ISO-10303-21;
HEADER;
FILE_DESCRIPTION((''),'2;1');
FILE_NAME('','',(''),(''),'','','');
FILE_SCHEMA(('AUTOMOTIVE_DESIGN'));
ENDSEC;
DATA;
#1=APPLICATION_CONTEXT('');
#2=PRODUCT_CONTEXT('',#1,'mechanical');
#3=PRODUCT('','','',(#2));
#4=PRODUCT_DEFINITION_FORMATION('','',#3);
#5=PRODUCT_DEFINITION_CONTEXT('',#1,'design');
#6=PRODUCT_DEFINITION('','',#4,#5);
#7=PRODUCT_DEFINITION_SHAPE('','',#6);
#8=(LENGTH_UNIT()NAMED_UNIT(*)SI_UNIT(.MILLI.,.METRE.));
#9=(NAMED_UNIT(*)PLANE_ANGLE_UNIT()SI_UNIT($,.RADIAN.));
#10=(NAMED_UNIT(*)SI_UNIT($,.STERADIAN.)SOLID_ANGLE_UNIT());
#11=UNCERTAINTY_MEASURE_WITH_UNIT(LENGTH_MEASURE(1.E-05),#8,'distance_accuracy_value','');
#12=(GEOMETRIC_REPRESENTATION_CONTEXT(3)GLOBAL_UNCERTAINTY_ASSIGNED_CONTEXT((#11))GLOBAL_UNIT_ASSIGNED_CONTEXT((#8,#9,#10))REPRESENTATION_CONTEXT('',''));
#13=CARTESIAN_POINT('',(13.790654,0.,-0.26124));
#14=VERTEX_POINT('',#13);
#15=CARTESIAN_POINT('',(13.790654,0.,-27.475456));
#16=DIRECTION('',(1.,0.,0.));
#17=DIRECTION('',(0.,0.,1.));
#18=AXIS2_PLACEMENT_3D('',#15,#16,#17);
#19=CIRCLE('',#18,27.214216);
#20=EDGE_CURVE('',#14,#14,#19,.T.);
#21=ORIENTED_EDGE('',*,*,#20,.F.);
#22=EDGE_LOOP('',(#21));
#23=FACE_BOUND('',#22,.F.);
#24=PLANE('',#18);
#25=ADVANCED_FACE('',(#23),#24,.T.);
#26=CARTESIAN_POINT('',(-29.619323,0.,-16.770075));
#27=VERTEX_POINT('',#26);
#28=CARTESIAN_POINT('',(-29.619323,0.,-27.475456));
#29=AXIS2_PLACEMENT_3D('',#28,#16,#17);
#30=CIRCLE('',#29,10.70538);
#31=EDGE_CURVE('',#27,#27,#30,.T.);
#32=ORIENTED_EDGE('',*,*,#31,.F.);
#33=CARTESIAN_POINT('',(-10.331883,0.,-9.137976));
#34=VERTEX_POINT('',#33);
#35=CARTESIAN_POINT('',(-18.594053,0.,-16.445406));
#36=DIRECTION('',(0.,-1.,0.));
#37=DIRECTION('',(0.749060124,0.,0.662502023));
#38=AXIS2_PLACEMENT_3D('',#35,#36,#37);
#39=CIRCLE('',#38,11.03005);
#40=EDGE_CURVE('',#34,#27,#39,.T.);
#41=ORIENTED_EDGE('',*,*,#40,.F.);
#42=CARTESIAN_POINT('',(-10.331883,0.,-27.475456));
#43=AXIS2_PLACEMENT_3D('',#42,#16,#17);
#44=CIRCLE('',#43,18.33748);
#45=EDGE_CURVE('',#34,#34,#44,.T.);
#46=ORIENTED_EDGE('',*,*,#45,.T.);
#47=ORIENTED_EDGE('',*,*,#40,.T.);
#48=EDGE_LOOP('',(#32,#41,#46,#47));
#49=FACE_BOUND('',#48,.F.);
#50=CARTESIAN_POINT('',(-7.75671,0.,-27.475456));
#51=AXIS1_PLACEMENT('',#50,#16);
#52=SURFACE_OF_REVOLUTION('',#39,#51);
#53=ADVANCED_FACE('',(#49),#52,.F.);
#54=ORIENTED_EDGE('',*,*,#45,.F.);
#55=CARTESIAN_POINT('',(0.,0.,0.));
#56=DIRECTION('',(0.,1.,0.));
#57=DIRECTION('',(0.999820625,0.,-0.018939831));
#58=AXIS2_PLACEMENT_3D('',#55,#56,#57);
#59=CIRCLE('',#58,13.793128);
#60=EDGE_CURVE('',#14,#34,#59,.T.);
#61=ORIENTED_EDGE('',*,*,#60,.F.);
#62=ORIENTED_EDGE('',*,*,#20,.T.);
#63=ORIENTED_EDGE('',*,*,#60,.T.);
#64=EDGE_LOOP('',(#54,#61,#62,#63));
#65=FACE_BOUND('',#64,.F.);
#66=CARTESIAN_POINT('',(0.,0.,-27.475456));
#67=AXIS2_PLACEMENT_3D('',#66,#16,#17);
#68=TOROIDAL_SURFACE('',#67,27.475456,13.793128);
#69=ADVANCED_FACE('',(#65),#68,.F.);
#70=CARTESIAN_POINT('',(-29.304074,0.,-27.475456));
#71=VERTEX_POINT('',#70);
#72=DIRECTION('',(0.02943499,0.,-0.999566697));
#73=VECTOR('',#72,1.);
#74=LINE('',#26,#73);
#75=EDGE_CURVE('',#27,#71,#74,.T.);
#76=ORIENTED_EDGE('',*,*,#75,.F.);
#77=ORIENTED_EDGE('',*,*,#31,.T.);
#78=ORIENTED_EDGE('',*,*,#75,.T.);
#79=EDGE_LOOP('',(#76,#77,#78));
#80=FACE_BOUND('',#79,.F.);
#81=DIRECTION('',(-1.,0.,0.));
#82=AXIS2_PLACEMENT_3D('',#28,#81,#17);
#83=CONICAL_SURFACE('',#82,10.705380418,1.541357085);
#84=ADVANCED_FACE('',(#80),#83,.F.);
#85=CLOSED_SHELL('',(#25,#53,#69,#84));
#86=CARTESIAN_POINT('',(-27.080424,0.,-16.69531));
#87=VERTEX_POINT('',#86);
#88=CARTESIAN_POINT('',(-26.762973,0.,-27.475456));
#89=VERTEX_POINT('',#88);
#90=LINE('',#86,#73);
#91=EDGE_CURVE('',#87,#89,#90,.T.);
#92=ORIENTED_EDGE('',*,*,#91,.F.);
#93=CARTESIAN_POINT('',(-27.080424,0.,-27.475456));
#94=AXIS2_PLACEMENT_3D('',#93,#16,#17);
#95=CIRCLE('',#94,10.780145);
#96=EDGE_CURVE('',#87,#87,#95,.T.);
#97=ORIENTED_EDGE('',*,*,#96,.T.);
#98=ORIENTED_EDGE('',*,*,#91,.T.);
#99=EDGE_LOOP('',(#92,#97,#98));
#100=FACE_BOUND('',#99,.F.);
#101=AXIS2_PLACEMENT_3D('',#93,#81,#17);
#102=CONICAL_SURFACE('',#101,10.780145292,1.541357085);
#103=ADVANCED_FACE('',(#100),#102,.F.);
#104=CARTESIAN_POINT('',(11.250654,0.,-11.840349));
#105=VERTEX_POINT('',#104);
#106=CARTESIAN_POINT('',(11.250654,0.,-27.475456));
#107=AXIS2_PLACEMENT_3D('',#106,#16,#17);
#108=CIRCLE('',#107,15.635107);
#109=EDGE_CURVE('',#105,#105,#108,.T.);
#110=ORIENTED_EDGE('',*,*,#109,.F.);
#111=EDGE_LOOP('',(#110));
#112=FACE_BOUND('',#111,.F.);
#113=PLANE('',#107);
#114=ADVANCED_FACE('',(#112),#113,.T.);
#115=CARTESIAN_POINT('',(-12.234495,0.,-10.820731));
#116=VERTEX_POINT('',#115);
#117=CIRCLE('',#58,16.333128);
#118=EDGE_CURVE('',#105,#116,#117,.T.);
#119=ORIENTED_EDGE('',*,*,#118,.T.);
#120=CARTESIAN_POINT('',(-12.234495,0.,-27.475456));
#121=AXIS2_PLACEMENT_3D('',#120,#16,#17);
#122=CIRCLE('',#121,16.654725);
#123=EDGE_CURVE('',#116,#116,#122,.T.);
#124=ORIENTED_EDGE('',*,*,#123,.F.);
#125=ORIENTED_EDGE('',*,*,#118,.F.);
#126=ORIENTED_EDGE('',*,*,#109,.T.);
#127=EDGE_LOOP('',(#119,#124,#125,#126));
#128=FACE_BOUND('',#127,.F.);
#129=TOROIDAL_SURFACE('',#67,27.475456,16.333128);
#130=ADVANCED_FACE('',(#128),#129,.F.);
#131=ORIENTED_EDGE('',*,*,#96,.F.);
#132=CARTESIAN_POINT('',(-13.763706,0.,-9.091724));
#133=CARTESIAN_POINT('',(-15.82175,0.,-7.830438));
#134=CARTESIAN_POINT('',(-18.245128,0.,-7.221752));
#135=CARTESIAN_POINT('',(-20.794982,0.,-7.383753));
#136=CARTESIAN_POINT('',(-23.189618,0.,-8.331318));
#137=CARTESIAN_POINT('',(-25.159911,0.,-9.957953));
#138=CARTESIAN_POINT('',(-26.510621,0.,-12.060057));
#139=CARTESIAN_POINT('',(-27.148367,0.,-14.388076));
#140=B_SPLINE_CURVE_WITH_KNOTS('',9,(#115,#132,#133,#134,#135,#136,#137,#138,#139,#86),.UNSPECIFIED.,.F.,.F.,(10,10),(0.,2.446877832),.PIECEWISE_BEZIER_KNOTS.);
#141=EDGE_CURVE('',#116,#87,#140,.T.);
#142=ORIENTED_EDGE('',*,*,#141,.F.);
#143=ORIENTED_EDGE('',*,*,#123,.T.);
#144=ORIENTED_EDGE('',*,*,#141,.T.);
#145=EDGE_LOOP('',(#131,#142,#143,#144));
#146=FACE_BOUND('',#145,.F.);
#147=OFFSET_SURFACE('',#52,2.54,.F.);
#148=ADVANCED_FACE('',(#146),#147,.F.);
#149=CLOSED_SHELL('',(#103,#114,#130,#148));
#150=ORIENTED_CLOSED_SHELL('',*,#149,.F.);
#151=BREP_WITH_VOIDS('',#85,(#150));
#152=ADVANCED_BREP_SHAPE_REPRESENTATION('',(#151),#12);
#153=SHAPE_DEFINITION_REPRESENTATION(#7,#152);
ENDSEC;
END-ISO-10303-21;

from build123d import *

# Parameters (mm, degrees)
F2_T = -2.54


with BuildPart() as f1:
    # F0 (on Front) → F1 (revolve)
    with BuildSketch(Plane.XZ):
        with BuildLine():
            ThreePointArc((13.7906543284, -0.2612395202), (4.763390184, -12.9445164779), (-10.3318825251, -9.1379755077))
            ThreePointArc((-10.3318825251, -9.1379755077), (-22.6524907641, -6.1891354414), (-29.6193234888, -16.7700752344))
            Line((-29.6193234888, -16.7700752344), (-29.3040741235, -27.475455652))
            Line((-29.3040741235, -27.475455652), (13.7906543284, -27.475455652))
            Line((13.7906543284, -27.475455652), (13.7906543284, -0.2612395202))
        make_face()
    revolve(axis=Axis((-7.7567098975, 0, -27.475455652), (1, 0, 0)))

    # F2 (hollow: no face is removed)
    offset(amount=F2_T, mode=Mode.SUBTRACT)


solid = f1.part
